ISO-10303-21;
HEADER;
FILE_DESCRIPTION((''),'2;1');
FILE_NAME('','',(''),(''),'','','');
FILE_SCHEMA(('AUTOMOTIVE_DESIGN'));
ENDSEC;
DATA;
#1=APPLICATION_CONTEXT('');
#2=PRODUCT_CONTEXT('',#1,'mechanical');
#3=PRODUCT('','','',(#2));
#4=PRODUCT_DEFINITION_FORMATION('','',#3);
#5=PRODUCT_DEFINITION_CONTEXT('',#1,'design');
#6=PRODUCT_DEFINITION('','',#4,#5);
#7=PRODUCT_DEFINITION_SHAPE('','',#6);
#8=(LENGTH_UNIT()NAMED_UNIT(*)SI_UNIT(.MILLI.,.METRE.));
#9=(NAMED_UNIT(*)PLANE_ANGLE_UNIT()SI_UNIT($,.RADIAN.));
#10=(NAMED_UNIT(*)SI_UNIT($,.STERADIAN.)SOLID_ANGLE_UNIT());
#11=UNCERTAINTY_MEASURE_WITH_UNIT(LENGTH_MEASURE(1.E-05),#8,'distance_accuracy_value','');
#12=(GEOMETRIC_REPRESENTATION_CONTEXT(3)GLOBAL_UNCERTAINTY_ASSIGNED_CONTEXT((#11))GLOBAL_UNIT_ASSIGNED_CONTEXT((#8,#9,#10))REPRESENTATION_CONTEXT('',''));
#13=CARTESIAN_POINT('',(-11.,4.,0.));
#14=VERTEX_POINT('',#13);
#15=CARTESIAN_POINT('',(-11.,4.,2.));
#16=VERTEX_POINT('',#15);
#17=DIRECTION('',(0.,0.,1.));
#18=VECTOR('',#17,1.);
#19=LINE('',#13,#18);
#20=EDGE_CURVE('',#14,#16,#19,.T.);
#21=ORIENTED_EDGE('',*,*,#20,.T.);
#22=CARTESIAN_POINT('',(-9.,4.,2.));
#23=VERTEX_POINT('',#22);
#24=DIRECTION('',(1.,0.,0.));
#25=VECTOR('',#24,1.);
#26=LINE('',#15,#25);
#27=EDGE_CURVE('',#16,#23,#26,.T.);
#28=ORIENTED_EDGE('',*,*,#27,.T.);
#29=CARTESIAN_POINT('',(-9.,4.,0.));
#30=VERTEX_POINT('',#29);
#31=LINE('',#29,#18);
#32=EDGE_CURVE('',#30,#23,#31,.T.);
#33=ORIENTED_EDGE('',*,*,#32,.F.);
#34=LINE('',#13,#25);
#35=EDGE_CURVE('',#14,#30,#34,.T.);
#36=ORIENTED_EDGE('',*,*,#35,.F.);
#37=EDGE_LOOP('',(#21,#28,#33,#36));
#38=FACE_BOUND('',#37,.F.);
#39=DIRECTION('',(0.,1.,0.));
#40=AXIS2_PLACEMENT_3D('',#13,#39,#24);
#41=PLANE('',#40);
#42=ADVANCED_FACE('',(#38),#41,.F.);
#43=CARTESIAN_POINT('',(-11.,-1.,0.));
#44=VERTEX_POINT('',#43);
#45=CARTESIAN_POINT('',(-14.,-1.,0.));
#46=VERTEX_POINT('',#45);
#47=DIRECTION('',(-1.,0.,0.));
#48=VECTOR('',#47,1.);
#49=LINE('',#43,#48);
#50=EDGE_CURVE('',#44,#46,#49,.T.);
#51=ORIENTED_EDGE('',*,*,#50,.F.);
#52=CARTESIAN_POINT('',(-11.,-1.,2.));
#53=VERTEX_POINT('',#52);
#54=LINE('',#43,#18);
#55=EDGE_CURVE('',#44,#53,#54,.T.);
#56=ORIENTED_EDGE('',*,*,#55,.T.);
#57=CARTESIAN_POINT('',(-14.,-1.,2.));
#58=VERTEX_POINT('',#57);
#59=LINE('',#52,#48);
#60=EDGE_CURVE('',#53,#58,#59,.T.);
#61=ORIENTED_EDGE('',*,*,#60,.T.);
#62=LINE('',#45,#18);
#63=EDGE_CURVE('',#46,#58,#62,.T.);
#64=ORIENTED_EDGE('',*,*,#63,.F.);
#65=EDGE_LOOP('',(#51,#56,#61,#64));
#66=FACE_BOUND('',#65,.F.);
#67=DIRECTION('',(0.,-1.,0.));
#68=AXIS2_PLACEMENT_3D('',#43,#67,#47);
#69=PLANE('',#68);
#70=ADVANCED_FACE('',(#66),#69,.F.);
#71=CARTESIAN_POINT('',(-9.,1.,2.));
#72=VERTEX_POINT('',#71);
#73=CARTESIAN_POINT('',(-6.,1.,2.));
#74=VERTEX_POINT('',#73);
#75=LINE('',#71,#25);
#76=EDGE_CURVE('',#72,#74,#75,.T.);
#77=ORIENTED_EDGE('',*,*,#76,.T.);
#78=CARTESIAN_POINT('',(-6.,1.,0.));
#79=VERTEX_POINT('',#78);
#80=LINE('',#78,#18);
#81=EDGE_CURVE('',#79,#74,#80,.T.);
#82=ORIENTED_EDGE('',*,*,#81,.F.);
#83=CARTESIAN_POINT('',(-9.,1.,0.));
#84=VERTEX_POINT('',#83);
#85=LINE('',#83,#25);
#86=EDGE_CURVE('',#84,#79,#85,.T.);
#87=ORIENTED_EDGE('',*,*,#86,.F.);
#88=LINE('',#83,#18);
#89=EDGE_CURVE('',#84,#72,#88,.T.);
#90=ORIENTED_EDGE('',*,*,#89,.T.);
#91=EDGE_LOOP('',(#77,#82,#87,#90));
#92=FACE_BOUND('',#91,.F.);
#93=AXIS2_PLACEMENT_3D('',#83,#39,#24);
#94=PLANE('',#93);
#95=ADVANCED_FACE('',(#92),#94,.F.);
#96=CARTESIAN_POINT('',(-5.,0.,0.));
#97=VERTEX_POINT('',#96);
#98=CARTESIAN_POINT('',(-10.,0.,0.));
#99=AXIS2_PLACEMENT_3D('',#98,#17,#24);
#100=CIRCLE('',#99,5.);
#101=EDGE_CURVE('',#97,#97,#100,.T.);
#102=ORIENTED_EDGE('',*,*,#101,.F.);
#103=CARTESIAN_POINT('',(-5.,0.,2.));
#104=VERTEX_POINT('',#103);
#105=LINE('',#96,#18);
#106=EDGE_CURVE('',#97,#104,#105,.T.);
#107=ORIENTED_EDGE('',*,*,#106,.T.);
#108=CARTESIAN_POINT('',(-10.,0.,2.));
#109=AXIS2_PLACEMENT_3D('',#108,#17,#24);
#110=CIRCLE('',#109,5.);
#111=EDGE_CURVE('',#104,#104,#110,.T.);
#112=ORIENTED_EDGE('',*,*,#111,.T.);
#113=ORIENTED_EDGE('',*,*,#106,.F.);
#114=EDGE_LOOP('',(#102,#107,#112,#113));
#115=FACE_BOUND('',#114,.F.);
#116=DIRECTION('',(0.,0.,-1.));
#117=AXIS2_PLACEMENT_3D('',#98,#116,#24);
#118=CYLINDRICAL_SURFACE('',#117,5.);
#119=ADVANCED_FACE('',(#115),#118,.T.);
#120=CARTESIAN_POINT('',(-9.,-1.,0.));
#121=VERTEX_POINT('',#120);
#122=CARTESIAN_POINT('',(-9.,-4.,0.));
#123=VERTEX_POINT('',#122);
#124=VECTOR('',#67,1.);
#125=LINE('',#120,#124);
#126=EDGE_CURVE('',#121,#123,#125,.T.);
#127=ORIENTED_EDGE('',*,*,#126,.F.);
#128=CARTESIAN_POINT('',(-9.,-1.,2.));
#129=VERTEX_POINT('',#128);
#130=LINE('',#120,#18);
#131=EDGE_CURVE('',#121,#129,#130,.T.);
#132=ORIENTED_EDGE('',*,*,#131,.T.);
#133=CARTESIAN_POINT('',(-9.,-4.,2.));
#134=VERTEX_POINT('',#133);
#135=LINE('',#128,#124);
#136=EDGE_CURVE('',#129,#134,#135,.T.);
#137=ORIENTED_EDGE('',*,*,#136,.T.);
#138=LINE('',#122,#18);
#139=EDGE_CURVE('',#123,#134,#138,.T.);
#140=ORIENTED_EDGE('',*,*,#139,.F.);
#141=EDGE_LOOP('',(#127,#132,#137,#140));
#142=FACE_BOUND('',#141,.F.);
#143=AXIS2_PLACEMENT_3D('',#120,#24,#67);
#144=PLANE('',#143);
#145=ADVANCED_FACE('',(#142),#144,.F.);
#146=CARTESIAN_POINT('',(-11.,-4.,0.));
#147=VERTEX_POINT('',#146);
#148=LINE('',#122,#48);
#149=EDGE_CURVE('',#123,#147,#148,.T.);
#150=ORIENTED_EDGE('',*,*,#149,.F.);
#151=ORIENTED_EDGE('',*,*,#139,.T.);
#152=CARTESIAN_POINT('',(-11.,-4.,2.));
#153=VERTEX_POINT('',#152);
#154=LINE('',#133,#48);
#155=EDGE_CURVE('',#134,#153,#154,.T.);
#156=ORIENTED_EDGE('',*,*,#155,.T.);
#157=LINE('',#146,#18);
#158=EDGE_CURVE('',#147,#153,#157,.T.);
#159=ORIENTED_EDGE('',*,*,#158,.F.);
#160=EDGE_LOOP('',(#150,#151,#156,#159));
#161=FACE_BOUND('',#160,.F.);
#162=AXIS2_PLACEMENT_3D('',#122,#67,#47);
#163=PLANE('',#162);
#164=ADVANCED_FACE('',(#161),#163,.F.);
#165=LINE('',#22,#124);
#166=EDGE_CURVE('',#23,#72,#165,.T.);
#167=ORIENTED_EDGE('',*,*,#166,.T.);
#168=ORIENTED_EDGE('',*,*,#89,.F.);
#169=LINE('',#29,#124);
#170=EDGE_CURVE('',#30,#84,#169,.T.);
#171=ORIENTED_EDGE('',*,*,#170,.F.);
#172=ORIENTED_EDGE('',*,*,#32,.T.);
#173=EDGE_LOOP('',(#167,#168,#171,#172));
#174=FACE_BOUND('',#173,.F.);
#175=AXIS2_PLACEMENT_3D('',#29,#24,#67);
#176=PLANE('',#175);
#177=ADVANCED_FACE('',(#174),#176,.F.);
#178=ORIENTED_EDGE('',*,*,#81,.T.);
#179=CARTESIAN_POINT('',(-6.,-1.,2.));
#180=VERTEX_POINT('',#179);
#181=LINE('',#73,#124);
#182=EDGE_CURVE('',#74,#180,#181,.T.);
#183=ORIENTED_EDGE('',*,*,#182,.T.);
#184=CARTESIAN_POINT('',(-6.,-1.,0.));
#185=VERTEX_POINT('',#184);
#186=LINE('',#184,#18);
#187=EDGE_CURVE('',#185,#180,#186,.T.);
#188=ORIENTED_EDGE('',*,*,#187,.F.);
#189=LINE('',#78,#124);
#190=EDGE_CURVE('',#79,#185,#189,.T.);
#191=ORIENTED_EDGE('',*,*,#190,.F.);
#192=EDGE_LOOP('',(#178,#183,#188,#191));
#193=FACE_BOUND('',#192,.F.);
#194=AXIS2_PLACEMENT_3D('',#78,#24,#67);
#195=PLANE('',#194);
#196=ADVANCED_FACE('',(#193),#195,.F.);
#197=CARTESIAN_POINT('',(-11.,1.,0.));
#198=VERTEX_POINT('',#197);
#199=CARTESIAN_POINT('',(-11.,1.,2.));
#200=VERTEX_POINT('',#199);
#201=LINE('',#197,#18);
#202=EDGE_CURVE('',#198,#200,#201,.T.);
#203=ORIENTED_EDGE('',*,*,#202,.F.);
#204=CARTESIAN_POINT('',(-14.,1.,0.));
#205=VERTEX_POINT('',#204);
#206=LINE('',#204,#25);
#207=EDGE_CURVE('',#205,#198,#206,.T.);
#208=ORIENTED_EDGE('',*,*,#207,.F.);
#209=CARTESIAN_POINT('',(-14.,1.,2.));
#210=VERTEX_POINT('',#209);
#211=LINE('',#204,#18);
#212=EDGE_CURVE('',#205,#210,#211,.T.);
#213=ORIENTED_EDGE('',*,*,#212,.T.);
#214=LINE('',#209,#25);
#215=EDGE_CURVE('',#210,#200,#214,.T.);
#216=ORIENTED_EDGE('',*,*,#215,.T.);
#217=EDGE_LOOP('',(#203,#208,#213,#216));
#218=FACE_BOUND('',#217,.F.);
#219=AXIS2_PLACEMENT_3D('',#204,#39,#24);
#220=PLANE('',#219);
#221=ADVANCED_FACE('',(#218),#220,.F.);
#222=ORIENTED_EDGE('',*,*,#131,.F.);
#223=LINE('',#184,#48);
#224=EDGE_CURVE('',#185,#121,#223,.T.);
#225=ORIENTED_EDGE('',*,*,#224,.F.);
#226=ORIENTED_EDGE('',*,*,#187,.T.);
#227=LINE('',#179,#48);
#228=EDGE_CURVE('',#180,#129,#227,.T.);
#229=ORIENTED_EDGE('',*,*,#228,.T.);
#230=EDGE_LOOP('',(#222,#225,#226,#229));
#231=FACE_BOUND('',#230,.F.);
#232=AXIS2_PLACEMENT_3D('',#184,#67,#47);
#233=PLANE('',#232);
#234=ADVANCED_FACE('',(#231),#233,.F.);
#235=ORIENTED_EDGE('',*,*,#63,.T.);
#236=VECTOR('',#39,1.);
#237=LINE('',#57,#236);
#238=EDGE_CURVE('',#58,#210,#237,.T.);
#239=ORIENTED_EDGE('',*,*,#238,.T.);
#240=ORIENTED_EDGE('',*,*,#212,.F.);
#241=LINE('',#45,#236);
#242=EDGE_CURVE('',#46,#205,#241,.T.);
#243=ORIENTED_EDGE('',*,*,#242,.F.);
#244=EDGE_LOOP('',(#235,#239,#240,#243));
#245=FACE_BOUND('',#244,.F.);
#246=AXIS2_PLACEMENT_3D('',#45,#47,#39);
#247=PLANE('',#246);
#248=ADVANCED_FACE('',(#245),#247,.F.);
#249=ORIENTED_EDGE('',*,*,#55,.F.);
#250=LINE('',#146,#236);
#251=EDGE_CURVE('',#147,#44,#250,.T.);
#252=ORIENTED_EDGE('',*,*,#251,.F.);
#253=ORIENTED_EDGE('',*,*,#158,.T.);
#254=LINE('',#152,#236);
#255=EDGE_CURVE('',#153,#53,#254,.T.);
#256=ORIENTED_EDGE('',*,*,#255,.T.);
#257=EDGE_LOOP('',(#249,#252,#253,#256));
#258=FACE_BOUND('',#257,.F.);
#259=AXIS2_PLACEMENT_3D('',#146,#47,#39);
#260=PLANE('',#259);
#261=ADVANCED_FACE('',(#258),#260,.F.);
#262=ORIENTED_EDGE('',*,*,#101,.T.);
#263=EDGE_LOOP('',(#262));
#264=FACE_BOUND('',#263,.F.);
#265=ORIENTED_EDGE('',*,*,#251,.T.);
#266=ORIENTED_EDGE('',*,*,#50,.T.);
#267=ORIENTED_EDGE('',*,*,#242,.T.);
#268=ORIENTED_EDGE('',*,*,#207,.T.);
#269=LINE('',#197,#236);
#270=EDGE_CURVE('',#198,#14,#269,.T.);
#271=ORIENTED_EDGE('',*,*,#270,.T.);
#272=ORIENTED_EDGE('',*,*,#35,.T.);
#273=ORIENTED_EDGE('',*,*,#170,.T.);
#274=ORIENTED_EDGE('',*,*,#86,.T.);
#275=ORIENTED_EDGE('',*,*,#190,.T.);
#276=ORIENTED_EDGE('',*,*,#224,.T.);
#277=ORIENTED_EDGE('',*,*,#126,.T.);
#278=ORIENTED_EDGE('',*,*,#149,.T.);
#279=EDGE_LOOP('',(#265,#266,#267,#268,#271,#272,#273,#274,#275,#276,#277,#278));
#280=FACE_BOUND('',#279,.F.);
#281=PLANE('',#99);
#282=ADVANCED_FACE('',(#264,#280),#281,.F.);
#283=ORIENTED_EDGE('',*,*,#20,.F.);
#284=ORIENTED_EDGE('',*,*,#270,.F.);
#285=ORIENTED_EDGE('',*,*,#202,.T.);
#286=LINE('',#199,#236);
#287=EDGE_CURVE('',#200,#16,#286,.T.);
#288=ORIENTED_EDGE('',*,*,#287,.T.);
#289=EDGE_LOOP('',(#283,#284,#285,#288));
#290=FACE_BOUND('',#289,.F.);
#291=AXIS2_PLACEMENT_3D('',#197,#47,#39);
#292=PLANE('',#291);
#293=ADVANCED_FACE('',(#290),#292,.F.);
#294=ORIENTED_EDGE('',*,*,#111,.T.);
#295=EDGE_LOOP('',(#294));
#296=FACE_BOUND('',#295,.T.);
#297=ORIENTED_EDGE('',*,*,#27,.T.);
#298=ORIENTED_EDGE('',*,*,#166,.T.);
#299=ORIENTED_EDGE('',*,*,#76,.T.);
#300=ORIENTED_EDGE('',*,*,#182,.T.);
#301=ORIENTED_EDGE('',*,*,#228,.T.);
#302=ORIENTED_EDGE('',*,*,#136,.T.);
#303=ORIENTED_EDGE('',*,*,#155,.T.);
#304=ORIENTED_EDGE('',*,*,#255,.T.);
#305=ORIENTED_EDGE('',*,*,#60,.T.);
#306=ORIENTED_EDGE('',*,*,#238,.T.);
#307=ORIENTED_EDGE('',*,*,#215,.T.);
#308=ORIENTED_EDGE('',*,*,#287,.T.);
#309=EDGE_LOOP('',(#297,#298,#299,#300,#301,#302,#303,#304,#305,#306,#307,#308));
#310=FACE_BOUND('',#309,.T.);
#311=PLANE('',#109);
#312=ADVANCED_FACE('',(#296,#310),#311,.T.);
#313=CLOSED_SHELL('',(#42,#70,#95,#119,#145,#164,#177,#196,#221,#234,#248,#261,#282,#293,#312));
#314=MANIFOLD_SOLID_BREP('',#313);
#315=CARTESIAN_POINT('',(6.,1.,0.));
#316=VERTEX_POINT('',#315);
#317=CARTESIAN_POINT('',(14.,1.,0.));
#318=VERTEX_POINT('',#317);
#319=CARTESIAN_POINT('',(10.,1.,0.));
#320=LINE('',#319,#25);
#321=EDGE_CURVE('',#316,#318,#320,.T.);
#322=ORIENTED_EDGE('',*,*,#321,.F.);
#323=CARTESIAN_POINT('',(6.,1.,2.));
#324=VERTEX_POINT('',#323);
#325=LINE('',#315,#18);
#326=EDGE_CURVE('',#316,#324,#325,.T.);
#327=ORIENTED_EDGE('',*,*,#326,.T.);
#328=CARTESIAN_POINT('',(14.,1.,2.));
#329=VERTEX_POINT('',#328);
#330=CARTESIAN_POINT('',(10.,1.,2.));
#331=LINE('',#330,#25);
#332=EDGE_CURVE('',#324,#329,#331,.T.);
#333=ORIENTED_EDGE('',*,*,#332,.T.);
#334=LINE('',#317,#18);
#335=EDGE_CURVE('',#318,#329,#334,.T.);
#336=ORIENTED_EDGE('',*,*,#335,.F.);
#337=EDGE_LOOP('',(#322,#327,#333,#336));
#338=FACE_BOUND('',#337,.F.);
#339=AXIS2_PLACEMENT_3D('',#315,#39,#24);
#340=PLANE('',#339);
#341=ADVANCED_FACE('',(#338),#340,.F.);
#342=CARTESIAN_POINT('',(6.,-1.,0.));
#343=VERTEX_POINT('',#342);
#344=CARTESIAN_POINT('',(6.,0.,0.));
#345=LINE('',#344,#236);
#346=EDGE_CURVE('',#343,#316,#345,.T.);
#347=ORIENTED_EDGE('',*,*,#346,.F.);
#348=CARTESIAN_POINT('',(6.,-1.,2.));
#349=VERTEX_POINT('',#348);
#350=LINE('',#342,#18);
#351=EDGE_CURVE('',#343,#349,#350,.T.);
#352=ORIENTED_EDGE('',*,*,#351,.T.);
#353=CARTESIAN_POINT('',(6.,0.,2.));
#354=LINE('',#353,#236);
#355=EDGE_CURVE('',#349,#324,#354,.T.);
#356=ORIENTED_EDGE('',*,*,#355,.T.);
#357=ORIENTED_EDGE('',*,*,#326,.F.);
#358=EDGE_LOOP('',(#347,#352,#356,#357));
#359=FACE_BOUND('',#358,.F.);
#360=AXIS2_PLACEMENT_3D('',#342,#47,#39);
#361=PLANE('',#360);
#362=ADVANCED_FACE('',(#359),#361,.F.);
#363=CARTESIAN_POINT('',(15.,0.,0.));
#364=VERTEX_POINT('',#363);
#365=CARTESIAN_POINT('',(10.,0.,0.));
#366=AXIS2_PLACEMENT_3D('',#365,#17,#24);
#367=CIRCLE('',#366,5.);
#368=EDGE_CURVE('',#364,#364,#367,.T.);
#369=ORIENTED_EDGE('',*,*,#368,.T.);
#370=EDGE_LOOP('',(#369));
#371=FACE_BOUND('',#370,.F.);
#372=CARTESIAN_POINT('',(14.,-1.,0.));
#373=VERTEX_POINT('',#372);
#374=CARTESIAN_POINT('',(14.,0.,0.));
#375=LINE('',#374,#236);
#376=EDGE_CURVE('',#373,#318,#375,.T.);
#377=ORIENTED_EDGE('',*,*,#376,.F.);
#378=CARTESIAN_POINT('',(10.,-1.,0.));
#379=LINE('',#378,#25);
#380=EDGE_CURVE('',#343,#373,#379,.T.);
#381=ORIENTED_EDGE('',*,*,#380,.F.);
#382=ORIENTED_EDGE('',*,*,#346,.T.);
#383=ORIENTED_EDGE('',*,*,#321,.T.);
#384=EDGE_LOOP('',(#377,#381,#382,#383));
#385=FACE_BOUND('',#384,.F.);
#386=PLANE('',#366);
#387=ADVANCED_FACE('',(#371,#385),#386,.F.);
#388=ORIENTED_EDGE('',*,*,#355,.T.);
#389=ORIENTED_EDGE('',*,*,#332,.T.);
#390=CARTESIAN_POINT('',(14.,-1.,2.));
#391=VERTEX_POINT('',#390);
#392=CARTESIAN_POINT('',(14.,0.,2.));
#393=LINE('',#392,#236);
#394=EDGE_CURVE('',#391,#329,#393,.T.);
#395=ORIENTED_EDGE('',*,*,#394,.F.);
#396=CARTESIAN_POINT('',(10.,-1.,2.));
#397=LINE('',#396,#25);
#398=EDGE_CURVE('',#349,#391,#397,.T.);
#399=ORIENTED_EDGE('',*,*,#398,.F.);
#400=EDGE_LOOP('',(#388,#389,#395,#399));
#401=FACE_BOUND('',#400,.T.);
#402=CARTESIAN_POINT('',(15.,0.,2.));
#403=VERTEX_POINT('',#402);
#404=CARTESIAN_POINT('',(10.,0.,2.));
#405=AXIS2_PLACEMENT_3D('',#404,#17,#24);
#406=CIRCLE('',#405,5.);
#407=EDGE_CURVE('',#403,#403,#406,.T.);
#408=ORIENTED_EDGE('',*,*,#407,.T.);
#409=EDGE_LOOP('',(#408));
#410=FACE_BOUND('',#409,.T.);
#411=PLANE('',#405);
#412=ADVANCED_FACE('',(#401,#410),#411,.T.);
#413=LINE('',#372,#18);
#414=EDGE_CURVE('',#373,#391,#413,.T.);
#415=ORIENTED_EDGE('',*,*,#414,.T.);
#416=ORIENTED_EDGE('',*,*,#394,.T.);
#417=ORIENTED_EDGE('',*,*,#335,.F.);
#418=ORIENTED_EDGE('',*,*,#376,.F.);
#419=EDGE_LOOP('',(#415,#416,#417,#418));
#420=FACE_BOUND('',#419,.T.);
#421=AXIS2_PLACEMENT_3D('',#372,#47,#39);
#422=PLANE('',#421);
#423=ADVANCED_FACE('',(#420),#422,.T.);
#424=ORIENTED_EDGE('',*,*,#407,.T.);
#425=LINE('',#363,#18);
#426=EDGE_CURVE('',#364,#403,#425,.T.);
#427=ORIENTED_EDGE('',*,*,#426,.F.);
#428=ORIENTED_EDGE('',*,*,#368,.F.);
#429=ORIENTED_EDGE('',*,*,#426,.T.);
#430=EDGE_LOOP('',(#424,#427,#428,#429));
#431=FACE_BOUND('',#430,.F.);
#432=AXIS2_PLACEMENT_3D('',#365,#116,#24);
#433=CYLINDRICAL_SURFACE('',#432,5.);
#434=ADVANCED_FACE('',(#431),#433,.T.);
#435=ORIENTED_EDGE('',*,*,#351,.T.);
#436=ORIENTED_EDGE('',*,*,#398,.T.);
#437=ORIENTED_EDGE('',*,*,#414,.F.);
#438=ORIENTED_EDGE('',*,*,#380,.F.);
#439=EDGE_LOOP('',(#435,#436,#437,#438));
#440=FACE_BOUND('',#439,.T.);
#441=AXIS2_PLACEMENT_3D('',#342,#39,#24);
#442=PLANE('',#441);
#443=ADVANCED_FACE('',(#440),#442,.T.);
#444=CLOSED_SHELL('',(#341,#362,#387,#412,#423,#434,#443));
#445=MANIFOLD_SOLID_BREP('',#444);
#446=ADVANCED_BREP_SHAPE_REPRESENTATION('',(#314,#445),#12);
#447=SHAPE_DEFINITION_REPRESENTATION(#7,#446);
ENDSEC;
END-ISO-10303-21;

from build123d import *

# Parameters (mm, degrees)
F0_R     = 5
F0_W     = 8
F0_H     = 2
F1_DEPTH = 2


with BuildPart() as f1:
    # F0 (on Top) → F1 (new body)
    with BuildSketch(Plane.XY):
        with Locations((-10, 0)):
            Circle(F0_R)
        Polygon((-11, 4), (-9, 4), (-9, 1), (-6, 1), (-6, -1), (-9, -1), (-9, -4), (-11, -4), (-11, -1), (-14, -1), (-14, 1), (-11, 1), align=None, mode=Mode.SUBTRACT)
        with Locations((10, 0)):
            Circle(F0_R)
        with Locations((10, 0)):
            Rectangle(F0_W, F0_H, mode=Mode.SUBTRACT)
    extrude(amount=F1_DEPTH)


solid = f1.part
